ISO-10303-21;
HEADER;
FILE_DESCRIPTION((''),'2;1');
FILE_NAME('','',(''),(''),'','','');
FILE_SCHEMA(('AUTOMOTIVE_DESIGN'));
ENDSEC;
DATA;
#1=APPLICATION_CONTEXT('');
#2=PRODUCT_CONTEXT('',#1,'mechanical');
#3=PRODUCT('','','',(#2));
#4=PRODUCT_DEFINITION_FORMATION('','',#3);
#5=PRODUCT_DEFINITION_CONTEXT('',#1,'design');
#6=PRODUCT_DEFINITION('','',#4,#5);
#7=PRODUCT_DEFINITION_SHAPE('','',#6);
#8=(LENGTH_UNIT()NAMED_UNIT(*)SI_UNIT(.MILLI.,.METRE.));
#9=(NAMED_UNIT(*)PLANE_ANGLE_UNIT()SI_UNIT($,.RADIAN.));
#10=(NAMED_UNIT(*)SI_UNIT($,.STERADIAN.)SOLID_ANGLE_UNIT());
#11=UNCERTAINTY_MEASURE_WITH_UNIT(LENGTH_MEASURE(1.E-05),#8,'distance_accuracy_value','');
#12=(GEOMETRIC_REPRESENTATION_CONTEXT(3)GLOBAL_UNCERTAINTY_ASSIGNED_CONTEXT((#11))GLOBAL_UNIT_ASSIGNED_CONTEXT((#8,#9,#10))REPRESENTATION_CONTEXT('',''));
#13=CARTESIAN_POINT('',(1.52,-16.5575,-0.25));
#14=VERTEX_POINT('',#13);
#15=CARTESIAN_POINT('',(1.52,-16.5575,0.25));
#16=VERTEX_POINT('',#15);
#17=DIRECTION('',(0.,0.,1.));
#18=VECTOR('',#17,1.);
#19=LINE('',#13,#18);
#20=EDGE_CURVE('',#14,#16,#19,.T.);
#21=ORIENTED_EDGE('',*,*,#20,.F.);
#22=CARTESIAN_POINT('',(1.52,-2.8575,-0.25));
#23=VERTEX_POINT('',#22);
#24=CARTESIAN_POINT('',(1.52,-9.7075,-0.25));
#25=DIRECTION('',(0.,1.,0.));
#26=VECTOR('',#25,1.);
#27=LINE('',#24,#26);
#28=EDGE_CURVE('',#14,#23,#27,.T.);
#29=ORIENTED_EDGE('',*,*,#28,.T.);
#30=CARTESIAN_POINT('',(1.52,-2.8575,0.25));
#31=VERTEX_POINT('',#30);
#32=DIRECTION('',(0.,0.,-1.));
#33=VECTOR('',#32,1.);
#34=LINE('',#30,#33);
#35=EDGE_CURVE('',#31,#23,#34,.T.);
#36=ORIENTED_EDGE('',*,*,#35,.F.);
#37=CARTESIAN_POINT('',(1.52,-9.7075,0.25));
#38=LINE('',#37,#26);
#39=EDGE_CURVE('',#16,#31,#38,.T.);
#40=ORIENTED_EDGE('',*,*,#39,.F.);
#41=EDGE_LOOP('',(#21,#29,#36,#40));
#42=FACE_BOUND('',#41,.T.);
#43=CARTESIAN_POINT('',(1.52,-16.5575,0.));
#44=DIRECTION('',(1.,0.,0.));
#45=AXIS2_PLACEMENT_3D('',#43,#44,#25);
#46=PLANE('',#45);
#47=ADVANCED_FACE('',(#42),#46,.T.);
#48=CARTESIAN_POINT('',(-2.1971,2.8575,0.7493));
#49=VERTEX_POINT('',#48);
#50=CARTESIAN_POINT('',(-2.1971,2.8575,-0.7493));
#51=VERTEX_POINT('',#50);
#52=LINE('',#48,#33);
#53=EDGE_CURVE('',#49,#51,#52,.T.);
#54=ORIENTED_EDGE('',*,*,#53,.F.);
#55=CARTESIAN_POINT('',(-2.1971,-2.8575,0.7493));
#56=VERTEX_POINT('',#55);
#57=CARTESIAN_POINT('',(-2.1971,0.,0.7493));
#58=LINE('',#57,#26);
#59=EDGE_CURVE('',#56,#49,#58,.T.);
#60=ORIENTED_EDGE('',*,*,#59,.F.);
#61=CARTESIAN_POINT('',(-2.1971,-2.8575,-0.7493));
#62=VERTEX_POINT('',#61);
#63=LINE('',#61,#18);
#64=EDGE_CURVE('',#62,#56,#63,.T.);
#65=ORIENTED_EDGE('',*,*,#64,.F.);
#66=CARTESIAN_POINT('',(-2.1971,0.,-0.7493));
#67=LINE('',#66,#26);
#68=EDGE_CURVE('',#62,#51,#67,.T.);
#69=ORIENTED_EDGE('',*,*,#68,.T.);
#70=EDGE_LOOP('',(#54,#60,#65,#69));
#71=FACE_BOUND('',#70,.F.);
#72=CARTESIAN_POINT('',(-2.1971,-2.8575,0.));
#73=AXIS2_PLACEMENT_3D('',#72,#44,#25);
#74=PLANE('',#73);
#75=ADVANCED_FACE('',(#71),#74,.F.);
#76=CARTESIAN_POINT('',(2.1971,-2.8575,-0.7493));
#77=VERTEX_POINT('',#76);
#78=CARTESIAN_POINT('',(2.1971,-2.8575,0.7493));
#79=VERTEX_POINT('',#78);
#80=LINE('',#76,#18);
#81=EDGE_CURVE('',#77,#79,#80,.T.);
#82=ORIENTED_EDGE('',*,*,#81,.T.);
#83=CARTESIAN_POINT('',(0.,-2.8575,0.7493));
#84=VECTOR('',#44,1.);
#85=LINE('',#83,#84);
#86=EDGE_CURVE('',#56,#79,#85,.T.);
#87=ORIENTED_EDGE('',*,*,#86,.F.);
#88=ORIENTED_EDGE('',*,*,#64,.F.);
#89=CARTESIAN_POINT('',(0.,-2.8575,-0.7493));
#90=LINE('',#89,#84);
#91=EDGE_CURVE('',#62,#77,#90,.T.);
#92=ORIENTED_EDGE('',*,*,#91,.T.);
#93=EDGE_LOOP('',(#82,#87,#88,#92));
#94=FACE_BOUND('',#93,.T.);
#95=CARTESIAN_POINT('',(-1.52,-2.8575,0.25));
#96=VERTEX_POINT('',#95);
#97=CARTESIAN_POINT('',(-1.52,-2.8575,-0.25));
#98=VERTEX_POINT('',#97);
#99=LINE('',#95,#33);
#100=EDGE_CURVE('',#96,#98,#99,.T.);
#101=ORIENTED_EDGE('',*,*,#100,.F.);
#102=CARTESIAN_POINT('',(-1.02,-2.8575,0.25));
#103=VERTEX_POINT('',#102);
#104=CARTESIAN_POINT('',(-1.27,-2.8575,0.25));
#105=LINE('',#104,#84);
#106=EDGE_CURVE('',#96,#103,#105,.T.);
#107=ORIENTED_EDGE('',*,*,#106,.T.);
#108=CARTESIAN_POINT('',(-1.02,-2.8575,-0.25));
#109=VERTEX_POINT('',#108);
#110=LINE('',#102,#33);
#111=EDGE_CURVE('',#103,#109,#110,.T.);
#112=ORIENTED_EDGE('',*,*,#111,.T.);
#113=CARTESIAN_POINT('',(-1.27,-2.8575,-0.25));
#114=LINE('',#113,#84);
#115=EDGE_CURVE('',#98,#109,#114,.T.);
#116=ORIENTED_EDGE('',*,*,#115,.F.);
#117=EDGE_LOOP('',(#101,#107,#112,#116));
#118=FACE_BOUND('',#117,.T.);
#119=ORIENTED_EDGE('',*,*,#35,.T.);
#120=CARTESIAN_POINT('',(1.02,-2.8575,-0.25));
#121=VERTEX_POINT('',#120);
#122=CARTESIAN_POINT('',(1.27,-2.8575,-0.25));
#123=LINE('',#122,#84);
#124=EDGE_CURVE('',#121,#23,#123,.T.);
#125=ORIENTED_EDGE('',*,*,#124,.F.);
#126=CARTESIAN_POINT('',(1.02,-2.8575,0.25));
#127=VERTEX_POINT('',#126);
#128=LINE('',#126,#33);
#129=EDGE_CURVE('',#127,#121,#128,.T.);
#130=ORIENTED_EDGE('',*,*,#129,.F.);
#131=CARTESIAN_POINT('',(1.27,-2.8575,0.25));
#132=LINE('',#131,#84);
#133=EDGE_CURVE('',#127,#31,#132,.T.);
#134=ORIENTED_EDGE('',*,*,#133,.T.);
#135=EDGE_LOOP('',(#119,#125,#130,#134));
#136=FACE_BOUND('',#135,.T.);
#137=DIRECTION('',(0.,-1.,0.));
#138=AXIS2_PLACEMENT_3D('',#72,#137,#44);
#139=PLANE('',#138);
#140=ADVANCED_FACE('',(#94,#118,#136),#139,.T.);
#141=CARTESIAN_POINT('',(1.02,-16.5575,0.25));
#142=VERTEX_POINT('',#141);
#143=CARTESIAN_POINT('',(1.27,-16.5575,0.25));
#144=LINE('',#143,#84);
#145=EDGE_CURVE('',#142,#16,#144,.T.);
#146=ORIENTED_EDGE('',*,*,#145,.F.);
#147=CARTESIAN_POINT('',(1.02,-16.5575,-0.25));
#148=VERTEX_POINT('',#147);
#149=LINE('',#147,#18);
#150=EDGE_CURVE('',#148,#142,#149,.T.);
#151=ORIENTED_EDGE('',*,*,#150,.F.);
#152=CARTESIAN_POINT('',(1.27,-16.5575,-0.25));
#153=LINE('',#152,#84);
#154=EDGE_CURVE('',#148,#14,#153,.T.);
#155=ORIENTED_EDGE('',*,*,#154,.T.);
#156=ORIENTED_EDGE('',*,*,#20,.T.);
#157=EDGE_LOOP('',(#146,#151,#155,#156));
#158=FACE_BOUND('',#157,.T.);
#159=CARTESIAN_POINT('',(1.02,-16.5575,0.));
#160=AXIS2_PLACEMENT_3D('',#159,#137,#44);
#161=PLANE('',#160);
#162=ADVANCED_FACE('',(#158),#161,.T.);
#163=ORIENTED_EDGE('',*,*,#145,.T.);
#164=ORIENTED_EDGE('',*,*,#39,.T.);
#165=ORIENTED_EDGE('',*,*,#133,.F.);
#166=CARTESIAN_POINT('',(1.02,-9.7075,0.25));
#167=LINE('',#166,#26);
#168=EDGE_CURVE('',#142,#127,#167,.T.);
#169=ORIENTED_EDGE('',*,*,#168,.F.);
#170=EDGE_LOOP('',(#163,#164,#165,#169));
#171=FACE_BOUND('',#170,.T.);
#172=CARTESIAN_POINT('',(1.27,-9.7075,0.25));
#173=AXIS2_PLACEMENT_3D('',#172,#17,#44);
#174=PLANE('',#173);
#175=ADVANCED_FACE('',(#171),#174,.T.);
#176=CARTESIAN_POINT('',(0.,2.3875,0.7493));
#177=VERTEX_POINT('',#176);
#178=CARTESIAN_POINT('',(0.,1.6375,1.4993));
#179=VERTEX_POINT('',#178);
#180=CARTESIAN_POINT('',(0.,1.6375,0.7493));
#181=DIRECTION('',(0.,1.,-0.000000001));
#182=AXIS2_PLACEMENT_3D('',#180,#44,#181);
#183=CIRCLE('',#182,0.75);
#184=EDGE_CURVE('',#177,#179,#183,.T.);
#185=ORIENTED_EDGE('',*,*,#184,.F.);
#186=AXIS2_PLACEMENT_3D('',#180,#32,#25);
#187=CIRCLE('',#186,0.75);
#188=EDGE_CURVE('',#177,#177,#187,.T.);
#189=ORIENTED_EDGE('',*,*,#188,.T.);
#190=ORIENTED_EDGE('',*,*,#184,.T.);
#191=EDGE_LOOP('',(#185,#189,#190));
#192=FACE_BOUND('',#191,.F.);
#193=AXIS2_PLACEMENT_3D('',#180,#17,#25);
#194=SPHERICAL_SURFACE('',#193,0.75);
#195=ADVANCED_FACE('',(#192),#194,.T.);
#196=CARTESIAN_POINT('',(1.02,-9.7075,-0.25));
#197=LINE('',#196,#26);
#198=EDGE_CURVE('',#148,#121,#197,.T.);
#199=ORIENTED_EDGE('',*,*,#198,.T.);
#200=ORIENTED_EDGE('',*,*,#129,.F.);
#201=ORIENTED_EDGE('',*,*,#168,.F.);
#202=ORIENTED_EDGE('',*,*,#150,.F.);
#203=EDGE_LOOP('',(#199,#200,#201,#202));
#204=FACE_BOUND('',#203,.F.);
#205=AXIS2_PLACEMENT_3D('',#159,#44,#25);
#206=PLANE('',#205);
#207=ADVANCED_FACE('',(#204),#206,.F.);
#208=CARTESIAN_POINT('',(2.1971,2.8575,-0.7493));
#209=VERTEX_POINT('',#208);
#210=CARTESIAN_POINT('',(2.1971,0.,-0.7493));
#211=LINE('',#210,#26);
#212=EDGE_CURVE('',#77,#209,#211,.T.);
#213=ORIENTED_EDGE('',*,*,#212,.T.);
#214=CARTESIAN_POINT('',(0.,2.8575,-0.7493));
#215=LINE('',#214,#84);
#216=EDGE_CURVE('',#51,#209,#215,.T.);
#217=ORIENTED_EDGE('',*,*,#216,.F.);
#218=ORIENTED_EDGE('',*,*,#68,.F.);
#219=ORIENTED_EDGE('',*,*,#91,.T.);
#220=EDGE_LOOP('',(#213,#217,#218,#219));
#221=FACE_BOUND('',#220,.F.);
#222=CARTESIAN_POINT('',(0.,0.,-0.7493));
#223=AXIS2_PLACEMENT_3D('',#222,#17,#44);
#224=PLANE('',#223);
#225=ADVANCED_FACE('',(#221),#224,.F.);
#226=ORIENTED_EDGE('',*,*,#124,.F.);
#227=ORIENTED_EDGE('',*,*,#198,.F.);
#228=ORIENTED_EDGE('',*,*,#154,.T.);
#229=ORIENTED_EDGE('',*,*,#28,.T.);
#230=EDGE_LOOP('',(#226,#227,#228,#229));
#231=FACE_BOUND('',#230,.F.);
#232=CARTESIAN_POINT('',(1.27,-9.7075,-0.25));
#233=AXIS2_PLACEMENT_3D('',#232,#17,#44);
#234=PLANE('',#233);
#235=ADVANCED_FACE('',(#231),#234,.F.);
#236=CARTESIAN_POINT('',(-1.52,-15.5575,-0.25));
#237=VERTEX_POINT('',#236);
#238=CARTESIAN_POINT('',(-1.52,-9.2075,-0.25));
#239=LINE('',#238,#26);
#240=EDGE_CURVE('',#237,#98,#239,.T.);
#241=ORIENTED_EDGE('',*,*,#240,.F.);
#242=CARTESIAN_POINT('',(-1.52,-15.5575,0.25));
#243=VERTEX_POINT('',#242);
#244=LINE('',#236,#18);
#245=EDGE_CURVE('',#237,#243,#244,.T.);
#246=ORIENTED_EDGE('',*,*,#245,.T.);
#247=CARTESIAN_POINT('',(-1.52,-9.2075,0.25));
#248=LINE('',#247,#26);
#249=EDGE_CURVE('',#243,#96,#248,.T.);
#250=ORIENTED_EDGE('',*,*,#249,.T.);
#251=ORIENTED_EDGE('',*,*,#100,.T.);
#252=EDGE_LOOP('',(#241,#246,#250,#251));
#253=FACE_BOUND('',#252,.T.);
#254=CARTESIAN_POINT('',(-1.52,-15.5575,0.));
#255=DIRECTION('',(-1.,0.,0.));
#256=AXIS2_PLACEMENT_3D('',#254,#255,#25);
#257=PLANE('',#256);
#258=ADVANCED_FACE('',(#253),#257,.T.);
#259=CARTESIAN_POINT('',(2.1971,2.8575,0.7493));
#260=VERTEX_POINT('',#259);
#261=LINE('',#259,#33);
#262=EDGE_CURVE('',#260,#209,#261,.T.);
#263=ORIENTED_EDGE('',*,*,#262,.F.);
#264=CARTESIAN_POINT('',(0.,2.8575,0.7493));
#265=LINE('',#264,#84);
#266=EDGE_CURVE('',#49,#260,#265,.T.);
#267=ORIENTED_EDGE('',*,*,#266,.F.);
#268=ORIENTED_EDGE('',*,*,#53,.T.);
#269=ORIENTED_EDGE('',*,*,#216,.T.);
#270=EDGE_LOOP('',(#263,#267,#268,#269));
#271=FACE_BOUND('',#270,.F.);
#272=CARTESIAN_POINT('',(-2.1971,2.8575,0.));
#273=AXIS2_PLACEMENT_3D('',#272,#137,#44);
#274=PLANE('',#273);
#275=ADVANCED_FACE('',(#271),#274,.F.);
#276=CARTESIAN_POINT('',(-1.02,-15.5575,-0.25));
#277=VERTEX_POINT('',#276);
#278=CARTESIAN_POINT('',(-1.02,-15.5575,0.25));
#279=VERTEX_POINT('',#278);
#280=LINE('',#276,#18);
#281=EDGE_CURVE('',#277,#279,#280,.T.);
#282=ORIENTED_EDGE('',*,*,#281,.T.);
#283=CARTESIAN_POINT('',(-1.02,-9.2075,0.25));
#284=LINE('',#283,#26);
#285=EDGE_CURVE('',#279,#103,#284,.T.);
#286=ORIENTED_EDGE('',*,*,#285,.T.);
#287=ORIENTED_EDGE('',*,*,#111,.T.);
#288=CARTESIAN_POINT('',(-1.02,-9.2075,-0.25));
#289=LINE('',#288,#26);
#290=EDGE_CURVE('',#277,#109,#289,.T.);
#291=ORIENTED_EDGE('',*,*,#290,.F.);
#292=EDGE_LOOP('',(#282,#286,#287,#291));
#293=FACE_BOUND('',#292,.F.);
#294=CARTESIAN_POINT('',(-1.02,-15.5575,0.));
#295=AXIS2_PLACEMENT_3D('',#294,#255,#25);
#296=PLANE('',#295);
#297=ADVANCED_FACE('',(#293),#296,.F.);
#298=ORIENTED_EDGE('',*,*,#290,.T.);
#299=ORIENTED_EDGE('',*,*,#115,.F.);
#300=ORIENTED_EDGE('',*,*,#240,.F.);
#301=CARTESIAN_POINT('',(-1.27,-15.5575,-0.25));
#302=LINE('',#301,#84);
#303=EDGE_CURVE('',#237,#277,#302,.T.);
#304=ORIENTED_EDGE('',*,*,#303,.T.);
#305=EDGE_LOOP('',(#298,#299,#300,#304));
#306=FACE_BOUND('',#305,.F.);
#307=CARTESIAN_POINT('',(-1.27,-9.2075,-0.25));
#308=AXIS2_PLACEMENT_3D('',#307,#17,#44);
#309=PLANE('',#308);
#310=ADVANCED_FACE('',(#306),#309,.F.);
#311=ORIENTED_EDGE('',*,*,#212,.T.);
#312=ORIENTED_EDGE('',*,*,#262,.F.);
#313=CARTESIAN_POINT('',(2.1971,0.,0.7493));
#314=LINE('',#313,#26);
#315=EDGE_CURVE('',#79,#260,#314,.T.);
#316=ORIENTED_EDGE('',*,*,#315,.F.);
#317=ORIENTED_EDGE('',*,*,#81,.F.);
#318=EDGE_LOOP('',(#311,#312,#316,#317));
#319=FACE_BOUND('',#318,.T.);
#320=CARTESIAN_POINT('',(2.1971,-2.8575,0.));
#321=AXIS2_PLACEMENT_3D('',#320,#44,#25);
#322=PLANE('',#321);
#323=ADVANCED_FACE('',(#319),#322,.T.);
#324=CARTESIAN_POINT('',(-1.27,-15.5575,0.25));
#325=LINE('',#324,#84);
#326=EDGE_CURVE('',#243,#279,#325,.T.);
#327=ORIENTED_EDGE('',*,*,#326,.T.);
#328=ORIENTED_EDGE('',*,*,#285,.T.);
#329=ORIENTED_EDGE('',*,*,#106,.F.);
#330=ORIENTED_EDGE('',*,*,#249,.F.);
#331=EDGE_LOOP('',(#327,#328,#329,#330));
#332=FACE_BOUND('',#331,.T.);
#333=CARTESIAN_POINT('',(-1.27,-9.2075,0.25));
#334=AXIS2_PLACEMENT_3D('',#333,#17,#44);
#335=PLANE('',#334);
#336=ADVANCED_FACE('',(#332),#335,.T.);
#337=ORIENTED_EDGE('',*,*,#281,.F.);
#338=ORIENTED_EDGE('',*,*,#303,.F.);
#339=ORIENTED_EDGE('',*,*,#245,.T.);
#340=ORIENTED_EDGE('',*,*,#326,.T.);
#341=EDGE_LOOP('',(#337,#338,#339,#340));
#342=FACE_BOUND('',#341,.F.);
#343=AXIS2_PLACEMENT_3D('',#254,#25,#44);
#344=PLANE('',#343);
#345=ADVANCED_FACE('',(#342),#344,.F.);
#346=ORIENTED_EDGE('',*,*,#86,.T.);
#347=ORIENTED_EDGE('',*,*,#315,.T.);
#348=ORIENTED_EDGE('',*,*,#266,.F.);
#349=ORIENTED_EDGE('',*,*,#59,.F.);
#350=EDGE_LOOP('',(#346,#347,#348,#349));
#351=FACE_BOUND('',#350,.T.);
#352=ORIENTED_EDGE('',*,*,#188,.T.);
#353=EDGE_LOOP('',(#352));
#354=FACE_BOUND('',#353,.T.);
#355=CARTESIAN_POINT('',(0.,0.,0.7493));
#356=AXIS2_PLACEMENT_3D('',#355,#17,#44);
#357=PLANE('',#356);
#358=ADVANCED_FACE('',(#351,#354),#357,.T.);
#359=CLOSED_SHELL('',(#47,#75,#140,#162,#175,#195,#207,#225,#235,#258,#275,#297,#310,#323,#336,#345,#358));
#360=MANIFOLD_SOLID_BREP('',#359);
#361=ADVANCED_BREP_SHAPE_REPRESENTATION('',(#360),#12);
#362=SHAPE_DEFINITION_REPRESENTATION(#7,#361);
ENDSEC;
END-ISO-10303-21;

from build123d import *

# Parameters (mm, degrees)
SKETCH1_W           = 4.3942
SKETCH1_H           = 5.715
BOSS_EXTRUDE1_DEPTH = 0.7493
SKETCH4_W           = 0.5
SKETCH4_H           = 12.7
SKETCH4_H_2         = 13.7
BOSS_EXTRUDE2_DEPTH = 0.25


with BuildPart() as part:
    # Sketch1 → Boss-Extrude1 (new body, symmetric)
    with BuildSketch(Plane.XY):
        Rectangle(SKETCH1_W, SKETCH1_H)
    extrude(amount=BOSS_EXTRUDE1_DEPTH, both=True)

    # Sketch3 → Revolve1 (revolve)
    with BuildSketch(Plane(origin=(0, 0, 0), x_dir=(0, 0, -1), z_dir=(1, 0, 0))):
        with BuildLine():
            Line((-1.4993, 1.6375), (-0.7493, 1.6375))
            Line((-0.7493, 1.6375), (-0.7493, 2.3875))
            ThreePointArc((-0.7493, 2.3875), (-1.279630086, 2.167830086), (-1.4993, 1.6375))
        make_face()
    revolve(axis=Axis((0, 1.6375, 2.078989668), (0, 0, -1)))

    # Sketch4 → Boss-Extrude2 (add, symmetric)
    with BuildSketch(Plane.XY):
        with Locations((-1.27, -9.2075)):
            Rectangle(SKETCH4_W, SKETCH4_H)
        with Locations((1.27, -9.7075)):
            Rectangle(SKETCH4_W, SKETCH4_H_2)
    extrude(amount=BOSS_EXTRUDE2_DEPTH, both=True)


solid = part.part
